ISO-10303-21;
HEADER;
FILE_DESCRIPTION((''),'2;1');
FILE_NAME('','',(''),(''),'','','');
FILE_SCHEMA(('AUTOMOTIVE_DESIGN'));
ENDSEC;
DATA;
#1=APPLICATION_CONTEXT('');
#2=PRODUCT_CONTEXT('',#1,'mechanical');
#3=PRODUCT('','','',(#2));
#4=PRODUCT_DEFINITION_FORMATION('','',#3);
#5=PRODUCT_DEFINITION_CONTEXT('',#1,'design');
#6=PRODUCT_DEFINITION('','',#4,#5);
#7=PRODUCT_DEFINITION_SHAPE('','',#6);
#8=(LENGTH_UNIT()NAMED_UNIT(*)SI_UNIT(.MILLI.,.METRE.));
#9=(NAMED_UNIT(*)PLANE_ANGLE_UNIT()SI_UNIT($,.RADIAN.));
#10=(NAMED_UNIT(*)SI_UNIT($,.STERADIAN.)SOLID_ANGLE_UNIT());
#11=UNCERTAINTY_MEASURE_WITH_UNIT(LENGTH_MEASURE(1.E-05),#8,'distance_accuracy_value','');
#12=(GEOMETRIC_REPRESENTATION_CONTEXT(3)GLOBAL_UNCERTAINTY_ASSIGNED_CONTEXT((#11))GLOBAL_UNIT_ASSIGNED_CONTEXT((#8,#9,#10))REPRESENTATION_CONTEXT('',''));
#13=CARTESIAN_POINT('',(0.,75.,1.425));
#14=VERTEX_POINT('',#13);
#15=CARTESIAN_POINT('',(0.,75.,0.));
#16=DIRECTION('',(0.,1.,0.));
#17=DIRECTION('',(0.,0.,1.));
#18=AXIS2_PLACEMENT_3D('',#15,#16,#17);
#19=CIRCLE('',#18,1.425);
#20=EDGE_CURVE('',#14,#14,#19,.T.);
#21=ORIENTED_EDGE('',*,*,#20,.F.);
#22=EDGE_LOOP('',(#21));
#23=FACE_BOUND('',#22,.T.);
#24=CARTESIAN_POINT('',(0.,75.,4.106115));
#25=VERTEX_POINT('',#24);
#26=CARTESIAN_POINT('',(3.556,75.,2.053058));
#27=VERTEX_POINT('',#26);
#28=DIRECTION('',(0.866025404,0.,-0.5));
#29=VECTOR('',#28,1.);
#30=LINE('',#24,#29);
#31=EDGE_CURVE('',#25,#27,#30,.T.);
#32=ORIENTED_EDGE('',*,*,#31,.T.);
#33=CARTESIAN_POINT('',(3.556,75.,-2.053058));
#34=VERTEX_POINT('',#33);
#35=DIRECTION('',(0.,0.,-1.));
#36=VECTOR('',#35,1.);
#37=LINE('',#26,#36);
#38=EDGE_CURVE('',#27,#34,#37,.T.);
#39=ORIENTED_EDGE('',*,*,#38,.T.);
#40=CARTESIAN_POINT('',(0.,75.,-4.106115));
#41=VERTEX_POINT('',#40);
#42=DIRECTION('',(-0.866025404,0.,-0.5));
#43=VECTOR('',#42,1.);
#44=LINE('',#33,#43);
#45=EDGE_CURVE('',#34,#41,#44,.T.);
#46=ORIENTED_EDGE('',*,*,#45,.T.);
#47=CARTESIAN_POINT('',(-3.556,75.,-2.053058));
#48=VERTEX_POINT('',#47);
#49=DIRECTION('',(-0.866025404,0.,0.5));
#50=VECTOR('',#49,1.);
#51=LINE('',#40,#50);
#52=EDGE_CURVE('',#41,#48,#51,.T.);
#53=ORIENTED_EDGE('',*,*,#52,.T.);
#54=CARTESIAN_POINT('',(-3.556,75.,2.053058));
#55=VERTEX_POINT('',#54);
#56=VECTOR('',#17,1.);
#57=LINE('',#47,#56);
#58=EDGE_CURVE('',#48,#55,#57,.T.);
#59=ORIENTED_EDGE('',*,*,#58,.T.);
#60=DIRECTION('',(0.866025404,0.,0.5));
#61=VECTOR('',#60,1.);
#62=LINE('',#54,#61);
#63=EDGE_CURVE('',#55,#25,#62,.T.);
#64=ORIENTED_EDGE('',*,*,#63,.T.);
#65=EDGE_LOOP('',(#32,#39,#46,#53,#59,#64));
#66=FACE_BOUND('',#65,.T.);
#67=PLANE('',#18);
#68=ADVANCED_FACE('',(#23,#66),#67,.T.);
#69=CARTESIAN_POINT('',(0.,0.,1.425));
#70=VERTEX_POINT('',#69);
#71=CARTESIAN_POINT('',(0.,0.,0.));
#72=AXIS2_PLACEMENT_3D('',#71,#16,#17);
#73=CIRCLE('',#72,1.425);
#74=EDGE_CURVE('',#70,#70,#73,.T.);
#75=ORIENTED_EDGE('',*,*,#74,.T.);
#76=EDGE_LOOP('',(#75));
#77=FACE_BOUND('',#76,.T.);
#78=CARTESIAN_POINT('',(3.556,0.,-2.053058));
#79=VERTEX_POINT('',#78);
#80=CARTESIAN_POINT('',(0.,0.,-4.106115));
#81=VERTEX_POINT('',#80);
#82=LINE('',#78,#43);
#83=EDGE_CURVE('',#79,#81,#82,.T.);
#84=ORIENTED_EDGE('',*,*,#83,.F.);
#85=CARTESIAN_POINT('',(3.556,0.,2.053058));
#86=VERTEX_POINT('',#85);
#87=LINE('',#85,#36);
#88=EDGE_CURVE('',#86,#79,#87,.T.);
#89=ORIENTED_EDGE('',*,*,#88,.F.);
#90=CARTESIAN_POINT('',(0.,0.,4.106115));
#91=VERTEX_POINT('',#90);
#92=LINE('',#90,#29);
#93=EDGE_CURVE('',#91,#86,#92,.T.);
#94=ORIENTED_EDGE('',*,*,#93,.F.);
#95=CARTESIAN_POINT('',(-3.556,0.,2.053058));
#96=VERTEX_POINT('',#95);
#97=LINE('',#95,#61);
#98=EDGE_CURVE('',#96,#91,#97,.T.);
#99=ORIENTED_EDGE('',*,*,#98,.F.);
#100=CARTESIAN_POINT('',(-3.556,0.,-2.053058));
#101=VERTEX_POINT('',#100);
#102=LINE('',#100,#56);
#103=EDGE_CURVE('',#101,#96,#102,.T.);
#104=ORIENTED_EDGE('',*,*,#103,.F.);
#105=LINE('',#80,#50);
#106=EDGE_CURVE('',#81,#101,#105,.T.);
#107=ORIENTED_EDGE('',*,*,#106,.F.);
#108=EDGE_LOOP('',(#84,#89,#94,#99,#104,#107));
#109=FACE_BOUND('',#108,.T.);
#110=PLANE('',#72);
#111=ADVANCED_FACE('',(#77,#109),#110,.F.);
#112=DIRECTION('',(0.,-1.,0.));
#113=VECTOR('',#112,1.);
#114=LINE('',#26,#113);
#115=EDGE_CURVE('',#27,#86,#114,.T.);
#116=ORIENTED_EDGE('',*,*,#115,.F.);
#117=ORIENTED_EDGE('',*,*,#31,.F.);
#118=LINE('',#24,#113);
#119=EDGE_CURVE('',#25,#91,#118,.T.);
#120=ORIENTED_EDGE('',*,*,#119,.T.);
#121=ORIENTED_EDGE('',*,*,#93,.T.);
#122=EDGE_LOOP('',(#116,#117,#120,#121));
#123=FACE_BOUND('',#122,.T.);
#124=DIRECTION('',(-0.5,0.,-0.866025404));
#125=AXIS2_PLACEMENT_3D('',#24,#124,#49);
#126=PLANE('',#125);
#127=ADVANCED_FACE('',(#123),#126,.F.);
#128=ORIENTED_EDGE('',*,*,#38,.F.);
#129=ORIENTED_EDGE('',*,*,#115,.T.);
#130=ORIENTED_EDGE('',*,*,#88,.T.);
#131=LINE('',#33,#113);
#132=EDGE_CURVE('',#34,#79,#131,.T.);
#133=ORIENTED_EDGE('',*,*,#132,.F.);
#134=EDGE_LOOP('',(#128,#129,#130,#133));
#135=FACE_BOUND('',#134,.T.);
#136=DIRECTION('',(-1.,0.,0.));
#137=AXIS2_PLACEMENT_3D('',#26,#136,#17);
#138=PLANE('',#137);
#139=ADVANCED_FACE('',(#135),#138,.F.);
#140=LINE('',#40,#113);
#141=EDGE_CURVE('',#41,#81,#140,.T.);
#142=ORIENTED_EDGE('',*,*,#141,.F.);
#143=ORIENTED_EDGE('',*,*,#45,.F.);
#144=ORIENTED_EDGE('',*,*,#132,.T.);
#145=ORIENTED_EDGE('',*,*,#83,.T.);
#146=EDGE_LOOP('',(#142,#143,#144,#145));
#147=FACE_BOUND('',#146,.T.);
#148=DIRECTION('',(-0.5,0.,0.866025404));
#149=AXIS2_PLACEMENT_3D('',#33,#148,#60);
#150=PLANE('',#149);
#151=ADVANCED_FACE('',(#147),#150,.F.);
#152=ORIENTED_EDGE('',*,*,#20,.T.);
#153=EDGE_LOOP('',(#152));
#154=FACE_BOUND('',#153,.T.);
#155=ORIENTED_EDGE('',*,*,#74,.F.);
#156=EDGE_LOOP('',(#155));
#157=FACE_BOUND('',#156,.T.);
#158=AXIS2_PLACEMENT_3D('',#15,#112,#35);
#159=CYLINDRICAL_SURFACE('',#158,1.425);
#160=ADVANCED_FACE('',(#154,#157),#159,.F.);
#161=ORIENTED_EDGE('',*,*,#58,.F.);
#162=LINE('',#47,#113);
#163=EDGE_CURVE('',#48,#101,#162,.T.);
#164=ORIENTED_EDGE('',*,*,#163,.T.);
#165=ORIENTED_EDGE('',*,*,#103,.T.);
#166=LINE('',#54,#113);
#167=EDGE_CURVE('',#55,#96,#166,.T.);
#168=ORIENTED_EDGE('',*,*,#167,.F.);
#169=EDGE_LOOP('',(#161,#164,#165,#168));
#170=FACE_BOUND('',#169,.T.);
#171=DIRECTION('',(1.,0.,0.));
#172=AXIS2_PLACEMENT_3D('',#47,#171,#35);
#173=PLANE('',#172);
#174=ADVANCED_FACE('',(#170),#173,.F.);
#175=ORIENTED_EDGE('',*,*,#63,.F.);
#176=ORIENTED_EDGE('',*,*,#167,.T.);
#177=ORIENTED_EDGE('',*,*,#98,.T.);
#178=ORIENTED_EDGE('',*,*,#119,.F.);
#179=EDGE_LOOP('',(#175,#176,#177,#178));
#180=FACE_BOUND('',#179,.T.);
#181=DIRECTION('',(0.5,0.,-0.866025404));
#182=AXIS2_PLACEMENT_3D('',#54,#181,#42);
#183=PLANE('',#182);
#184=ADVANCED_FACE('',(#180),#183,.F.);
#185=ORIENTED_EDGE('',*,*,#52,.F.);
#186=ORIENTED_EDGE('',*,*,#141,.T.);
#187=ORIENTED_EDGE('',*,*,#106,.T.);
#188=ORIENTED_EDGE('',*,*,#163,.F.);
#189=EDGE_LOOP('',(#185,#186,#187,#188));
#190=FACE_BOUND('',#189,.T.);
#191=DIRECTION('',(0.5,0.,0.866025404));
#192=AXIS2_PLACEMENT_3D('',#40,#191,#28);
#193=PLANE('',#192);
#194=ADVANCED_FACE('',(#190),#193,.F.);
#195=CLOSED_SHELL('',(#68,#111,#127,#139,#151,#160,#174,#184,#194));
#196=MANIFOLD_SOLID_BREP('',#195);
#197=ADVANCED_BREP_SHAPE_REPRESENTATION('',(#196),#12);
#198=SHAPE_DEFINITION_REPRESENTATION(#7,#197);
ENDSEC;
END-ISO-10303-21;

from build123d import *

# Parameters (mm, degrees)
SKETCH1_R           = 1.425
BOSS_EXTRUDE1_DEPTH = 75


with BuildPart() as part:
    # Sketch1 → Boss-Extrude1 (new body)
    with BuildSketch(Plane(origin=(0, 0, 0), x_dir=(1, 0, 0), z_dir=(0, 1, 0))):
        Polygon((0, 4.106115114), (-3.556, 2.053057557), (-3.556, -2.053057557), (0, -4.106115114), (3.556, -2.053057557), (3.556, 2.053057557), align=None)
        with Locations(Location((0, 0, 0), (0, 0, 270))):
            Circle(SKETCH1_R, mode=Mode.SUBTRACT)
    extrude(amount=BOSS_EXTRUDE1_DEPTH)


solid = part.part
